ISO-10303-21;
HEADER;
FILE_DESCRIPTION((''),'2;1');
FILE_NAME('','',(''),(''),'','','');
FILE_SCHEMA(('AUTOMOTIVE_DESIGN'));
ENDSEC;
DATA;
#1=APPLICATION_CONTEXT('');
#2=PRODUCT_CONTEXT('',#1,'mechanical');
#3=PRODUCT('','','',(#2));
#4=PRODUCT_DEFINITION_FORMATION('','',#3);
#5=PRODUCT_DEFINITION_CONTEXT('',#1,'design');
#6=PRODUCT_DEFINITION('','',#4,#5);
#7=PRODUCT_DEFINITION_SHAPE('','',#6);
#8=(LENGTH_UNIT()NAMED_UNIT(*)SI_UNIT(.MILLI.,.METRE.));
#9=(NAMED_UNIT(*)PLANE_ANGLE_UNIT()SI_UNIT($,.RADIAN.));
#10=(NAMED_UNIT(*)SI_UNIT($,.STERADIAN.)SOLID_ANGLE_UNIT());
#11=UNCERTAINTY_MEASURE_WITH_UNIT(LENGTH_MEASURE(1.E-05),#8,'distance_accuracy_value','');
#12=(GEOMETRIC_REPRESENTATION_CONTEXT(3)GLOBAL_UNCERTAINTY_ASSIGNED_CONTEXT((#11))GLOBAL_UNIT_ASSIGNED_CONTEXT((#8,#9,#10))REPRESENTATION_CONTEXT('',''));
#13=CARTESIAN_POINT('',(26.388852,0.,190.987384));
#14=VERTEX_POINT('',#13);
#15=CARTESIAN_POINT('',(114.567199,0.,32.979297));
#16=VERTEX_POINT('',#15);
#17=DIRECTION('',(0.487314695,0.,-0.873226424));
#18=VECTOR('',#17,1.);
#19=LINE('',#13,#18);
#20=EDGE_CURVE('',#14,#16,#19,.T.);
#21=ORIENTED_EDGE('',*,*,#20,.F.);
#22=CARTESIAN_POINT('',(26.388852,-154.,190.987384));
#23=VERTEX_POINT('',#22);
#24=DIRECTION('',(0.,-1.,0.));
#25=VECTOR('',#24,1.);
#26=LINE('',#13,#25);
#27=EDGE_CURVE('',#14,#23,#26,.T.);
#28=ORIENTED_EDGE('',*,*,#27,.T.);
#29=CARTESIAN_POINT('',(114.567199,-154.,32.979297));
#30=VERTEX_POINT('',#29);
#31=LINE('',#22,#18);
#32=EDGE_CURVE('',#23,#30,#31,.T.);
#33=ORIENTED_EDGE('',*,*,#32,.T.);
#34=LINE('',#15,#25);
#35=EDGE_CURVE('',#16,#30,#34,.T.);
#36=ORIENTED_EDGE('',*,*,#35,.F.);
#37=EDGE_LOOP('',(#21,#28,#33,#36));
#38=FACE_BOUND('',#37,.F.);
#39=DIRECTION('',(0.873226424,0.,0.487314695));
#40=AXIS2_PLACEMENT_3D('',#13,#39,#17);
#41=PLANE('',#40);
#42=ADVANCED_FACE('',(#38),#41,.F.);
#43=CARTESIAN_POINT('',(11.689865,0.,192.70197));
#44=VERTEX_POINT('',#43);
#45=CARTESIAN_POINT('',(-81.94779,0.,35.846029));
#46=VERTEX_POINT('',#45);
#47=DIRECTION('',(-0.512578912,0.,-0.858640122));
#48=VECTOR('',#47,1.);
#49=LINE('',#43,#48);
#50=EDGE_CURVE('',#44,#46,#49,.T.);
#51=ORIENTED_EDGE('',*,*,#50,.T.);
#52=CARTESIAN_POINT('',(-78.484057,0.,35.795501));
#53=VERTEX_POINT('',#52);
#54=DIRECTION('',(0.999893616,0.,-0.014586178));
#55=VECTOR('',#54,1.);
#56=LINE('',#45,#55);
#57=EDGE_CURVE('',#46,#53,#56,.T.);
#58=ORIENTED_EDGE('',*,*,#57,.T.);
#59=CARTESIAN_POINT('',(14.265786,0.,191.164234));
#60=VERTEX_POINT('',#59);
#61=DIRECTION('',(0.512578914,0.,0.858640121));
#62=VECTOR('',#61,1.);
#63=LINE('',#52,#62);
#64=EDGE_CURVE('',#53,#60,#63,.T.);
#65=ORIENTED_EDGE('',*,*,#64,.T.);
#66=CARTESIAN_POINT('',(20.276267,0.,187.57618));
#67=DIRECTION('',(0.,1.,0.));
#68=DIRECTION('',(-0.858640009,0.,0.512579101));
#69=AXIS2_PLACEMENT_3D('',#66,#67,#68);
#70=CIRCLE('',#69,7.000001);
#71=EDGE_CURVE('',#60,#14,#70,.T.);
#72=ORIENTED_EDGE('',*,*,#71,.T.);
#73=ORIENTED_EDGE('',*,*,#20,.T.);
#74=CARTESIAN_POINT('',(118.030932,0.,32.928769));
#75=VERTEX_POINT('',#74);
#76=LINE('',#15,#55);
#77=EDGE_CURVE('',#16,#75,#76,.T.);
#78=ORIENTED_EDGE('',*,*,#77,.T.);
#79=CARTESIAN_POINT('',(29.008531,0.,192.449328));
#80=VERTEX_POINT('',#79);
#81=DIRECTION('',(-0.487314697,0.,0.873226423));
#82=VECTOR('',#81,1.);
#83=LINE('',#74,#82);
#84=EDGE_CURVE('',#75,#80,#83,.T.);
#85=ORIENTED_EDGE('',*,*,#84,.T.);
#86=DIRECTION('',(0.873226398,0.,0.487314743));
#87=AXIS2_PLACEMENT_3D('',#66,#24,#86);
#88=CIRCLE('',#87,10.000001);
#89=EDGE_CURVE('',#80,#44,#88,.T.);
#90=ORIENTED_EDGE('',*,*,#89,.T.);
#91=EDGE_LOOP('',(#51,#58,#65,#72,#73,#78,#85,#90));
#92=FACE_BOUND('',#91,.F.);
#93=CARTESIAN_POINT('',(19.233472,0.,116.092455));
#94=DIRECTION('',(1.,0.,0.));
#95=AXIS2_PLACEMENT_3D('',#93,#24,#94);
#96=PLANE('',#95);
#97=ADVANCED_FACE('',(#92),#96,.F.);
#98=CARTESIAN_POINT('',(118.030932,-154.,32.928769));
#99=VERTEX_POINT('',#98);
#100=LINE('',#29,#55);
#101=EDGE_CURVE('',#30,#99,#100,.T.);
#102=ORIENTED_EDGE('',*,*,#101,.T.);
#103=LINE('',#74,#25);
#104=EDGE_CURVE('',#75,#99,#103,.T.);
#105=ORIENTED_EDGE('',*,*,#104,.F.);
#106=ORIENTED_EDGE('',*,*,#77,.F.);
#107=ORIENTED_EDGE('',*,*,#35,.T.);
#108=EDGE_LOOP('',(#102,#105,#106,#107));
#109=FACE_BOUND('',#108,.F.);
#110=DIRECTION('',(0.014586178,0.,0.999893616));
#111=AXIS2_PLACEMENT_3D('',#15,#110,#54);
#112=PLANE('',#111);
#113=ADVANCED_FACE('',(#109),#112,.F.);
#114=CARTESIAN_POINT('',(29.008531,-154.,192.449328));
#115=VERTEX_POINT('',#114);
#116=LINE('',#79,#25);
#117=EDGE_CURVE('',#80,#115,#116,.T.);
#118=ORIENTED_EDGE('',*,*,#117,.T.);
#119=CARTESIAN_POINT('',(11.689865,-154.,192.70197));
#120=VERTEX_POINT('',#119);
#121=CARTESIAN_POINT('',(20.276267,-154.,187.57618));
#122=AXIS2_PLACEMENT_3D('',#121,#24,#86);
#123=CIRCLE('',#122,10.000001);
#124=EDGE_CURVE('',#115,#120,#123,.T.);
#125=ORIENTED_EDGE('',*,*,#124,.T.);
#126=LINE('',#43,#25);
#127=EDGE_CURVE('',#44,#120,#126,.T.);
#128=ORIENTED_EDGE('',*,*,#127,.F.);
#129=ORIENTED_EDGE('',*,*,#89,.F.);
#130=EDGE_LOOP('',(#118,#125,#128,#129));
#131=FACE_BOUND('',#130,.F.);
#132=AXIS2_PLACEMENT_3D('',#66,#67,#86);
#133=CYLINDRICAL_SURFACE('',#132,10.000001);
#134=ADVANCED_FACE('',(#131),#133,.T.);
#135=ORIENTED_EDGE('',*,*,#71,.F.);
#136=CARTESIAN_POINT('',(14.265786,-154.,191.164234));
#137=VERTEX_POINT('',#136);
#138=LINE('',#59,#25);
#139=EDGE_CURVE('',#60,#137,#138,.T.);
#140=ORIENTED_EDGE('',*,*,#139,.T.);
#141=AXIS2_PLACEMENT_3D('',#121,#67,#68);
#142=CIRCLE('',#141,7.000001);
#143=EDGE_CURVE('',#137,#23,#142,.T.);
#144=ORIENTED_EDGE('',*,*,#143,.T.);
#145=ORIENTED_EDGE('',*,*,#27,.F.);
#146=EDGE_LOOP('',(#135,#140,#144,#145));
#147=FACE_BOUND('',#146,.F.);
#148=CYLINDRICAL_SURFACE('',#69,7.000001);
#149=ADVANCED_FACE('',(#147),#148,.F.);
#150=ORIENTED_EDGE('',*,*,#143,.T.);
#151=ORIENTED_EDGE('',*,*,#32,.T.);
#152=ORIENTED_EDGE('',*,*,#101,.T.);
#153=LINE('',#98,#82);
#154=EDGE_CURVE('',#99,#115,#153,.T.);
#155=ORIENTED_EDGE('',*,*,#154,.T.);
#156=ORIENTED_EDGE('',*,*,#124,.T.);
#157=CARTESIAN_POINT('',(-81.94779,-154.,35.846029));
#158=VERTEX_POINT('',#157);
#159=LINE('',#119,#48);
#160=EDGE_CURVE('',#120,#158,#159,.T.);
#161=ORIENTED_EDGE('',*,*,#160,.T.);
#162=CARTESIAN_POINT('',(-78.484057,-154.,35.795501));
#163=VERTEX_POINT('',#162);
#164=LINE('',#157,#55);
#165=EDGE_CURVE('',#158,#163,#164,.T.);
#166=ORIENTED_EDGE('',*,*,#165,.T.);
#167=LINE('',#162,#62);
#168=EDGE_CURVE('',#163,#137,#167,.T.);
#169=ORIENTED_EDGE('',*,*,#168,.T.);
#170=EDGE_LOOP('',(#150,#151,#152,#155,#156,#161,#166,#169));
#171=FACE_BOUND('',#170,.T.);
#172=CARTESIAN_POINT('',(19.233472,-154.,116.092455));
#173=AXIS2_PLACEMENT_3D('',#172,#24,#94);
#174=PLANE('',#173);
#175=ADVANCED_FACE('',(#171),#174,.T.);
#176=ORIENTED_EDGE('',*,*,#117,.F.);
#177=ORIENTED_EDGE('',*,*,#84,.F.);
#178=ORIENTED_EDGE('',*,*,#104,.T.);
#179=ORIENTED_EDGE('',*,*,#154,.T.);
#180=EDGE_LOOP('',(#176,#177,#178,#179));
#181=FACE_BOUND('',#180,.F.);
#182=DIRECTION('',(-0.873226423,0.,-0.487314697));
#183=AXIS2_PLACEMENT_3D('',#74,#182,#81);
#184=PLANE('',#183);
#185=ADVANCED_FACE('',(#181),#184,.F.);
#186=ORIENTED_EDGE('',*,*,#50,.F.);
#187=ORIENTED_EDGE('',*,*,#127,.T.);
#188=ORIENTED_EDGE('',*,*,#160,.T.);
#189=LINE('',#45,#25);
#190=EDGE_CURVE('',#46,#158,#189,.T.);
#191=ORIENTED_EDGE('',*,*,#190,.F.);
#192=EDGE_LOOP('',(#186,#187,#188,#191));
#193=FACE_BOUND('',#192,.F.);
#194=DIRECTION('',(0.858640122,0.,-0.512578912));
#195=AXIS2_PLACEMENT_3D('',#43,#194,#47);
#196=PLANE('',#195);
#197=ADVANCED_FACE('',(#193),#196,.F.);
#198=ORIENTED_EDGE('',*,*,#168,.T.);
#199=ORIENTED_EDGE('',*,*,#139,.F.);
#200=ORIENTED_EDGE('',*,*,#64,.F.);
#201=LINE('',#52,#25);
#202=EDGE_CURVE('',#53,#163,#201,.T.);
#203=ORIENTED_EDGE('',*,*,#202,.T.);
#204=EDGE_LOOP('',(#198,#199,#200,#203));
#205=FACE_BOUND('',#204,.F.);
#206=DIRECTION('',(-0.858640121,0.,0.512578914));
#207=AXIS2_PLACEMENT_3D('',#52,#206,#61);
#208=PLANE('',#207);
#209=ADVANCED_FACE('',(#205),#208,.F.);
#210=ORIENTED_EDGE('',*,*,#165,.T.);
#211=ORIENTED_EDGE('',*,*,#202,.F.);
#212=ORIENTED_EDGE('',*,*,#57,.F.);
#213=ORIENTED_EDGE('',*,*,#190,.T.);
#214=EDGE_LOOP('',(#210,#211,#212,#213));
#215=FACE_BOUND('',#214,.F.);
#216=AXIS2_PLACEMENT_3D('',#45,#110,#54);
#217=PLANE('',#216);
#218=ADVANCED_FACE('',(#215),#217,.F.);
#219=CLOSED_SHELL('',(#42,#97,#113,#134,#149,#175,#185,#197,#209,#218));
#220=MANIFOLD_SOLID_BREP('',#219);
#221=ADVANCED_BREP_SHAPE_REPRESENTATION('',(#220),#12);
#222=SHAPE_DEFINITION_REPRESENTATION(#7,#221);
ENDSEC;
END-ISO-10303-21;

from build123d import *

# Parameters (mm, degrees)
F1_DEPTH = 154


with BuildPart() as f1:
    # F0 (on Front) → F1 (new body)
    with BuildSketch(Plane.XZ):
        with BuildLine():
            Line((118.030932, 32.928769), (29.008531, 192.449328))
            ThreePointArc((29.008531, 192.449328), (20.42213, 197.575117), (11.689865, 192.70197))
            Line((11.689865, 192.70197), (-81.94779, 35.846029))
            Line((-81.94779, 35.846029), (-78.484057, 35.795501))
            Line((-78.484057, 35.795501), (14.265786, 191.164234))
            ThreePointArc((14.265786, 191.164234), (20.378371, 194.575436), (26.388852, 190.987384))
            Line((26.388852, 190.987384), (114.567199, 32.979297))
            Line((114.567199, 32.979297), (118.030932, 32.928769))
        make_face()
    extrude(amount=F1_DEPTH)


solid = f1.part
